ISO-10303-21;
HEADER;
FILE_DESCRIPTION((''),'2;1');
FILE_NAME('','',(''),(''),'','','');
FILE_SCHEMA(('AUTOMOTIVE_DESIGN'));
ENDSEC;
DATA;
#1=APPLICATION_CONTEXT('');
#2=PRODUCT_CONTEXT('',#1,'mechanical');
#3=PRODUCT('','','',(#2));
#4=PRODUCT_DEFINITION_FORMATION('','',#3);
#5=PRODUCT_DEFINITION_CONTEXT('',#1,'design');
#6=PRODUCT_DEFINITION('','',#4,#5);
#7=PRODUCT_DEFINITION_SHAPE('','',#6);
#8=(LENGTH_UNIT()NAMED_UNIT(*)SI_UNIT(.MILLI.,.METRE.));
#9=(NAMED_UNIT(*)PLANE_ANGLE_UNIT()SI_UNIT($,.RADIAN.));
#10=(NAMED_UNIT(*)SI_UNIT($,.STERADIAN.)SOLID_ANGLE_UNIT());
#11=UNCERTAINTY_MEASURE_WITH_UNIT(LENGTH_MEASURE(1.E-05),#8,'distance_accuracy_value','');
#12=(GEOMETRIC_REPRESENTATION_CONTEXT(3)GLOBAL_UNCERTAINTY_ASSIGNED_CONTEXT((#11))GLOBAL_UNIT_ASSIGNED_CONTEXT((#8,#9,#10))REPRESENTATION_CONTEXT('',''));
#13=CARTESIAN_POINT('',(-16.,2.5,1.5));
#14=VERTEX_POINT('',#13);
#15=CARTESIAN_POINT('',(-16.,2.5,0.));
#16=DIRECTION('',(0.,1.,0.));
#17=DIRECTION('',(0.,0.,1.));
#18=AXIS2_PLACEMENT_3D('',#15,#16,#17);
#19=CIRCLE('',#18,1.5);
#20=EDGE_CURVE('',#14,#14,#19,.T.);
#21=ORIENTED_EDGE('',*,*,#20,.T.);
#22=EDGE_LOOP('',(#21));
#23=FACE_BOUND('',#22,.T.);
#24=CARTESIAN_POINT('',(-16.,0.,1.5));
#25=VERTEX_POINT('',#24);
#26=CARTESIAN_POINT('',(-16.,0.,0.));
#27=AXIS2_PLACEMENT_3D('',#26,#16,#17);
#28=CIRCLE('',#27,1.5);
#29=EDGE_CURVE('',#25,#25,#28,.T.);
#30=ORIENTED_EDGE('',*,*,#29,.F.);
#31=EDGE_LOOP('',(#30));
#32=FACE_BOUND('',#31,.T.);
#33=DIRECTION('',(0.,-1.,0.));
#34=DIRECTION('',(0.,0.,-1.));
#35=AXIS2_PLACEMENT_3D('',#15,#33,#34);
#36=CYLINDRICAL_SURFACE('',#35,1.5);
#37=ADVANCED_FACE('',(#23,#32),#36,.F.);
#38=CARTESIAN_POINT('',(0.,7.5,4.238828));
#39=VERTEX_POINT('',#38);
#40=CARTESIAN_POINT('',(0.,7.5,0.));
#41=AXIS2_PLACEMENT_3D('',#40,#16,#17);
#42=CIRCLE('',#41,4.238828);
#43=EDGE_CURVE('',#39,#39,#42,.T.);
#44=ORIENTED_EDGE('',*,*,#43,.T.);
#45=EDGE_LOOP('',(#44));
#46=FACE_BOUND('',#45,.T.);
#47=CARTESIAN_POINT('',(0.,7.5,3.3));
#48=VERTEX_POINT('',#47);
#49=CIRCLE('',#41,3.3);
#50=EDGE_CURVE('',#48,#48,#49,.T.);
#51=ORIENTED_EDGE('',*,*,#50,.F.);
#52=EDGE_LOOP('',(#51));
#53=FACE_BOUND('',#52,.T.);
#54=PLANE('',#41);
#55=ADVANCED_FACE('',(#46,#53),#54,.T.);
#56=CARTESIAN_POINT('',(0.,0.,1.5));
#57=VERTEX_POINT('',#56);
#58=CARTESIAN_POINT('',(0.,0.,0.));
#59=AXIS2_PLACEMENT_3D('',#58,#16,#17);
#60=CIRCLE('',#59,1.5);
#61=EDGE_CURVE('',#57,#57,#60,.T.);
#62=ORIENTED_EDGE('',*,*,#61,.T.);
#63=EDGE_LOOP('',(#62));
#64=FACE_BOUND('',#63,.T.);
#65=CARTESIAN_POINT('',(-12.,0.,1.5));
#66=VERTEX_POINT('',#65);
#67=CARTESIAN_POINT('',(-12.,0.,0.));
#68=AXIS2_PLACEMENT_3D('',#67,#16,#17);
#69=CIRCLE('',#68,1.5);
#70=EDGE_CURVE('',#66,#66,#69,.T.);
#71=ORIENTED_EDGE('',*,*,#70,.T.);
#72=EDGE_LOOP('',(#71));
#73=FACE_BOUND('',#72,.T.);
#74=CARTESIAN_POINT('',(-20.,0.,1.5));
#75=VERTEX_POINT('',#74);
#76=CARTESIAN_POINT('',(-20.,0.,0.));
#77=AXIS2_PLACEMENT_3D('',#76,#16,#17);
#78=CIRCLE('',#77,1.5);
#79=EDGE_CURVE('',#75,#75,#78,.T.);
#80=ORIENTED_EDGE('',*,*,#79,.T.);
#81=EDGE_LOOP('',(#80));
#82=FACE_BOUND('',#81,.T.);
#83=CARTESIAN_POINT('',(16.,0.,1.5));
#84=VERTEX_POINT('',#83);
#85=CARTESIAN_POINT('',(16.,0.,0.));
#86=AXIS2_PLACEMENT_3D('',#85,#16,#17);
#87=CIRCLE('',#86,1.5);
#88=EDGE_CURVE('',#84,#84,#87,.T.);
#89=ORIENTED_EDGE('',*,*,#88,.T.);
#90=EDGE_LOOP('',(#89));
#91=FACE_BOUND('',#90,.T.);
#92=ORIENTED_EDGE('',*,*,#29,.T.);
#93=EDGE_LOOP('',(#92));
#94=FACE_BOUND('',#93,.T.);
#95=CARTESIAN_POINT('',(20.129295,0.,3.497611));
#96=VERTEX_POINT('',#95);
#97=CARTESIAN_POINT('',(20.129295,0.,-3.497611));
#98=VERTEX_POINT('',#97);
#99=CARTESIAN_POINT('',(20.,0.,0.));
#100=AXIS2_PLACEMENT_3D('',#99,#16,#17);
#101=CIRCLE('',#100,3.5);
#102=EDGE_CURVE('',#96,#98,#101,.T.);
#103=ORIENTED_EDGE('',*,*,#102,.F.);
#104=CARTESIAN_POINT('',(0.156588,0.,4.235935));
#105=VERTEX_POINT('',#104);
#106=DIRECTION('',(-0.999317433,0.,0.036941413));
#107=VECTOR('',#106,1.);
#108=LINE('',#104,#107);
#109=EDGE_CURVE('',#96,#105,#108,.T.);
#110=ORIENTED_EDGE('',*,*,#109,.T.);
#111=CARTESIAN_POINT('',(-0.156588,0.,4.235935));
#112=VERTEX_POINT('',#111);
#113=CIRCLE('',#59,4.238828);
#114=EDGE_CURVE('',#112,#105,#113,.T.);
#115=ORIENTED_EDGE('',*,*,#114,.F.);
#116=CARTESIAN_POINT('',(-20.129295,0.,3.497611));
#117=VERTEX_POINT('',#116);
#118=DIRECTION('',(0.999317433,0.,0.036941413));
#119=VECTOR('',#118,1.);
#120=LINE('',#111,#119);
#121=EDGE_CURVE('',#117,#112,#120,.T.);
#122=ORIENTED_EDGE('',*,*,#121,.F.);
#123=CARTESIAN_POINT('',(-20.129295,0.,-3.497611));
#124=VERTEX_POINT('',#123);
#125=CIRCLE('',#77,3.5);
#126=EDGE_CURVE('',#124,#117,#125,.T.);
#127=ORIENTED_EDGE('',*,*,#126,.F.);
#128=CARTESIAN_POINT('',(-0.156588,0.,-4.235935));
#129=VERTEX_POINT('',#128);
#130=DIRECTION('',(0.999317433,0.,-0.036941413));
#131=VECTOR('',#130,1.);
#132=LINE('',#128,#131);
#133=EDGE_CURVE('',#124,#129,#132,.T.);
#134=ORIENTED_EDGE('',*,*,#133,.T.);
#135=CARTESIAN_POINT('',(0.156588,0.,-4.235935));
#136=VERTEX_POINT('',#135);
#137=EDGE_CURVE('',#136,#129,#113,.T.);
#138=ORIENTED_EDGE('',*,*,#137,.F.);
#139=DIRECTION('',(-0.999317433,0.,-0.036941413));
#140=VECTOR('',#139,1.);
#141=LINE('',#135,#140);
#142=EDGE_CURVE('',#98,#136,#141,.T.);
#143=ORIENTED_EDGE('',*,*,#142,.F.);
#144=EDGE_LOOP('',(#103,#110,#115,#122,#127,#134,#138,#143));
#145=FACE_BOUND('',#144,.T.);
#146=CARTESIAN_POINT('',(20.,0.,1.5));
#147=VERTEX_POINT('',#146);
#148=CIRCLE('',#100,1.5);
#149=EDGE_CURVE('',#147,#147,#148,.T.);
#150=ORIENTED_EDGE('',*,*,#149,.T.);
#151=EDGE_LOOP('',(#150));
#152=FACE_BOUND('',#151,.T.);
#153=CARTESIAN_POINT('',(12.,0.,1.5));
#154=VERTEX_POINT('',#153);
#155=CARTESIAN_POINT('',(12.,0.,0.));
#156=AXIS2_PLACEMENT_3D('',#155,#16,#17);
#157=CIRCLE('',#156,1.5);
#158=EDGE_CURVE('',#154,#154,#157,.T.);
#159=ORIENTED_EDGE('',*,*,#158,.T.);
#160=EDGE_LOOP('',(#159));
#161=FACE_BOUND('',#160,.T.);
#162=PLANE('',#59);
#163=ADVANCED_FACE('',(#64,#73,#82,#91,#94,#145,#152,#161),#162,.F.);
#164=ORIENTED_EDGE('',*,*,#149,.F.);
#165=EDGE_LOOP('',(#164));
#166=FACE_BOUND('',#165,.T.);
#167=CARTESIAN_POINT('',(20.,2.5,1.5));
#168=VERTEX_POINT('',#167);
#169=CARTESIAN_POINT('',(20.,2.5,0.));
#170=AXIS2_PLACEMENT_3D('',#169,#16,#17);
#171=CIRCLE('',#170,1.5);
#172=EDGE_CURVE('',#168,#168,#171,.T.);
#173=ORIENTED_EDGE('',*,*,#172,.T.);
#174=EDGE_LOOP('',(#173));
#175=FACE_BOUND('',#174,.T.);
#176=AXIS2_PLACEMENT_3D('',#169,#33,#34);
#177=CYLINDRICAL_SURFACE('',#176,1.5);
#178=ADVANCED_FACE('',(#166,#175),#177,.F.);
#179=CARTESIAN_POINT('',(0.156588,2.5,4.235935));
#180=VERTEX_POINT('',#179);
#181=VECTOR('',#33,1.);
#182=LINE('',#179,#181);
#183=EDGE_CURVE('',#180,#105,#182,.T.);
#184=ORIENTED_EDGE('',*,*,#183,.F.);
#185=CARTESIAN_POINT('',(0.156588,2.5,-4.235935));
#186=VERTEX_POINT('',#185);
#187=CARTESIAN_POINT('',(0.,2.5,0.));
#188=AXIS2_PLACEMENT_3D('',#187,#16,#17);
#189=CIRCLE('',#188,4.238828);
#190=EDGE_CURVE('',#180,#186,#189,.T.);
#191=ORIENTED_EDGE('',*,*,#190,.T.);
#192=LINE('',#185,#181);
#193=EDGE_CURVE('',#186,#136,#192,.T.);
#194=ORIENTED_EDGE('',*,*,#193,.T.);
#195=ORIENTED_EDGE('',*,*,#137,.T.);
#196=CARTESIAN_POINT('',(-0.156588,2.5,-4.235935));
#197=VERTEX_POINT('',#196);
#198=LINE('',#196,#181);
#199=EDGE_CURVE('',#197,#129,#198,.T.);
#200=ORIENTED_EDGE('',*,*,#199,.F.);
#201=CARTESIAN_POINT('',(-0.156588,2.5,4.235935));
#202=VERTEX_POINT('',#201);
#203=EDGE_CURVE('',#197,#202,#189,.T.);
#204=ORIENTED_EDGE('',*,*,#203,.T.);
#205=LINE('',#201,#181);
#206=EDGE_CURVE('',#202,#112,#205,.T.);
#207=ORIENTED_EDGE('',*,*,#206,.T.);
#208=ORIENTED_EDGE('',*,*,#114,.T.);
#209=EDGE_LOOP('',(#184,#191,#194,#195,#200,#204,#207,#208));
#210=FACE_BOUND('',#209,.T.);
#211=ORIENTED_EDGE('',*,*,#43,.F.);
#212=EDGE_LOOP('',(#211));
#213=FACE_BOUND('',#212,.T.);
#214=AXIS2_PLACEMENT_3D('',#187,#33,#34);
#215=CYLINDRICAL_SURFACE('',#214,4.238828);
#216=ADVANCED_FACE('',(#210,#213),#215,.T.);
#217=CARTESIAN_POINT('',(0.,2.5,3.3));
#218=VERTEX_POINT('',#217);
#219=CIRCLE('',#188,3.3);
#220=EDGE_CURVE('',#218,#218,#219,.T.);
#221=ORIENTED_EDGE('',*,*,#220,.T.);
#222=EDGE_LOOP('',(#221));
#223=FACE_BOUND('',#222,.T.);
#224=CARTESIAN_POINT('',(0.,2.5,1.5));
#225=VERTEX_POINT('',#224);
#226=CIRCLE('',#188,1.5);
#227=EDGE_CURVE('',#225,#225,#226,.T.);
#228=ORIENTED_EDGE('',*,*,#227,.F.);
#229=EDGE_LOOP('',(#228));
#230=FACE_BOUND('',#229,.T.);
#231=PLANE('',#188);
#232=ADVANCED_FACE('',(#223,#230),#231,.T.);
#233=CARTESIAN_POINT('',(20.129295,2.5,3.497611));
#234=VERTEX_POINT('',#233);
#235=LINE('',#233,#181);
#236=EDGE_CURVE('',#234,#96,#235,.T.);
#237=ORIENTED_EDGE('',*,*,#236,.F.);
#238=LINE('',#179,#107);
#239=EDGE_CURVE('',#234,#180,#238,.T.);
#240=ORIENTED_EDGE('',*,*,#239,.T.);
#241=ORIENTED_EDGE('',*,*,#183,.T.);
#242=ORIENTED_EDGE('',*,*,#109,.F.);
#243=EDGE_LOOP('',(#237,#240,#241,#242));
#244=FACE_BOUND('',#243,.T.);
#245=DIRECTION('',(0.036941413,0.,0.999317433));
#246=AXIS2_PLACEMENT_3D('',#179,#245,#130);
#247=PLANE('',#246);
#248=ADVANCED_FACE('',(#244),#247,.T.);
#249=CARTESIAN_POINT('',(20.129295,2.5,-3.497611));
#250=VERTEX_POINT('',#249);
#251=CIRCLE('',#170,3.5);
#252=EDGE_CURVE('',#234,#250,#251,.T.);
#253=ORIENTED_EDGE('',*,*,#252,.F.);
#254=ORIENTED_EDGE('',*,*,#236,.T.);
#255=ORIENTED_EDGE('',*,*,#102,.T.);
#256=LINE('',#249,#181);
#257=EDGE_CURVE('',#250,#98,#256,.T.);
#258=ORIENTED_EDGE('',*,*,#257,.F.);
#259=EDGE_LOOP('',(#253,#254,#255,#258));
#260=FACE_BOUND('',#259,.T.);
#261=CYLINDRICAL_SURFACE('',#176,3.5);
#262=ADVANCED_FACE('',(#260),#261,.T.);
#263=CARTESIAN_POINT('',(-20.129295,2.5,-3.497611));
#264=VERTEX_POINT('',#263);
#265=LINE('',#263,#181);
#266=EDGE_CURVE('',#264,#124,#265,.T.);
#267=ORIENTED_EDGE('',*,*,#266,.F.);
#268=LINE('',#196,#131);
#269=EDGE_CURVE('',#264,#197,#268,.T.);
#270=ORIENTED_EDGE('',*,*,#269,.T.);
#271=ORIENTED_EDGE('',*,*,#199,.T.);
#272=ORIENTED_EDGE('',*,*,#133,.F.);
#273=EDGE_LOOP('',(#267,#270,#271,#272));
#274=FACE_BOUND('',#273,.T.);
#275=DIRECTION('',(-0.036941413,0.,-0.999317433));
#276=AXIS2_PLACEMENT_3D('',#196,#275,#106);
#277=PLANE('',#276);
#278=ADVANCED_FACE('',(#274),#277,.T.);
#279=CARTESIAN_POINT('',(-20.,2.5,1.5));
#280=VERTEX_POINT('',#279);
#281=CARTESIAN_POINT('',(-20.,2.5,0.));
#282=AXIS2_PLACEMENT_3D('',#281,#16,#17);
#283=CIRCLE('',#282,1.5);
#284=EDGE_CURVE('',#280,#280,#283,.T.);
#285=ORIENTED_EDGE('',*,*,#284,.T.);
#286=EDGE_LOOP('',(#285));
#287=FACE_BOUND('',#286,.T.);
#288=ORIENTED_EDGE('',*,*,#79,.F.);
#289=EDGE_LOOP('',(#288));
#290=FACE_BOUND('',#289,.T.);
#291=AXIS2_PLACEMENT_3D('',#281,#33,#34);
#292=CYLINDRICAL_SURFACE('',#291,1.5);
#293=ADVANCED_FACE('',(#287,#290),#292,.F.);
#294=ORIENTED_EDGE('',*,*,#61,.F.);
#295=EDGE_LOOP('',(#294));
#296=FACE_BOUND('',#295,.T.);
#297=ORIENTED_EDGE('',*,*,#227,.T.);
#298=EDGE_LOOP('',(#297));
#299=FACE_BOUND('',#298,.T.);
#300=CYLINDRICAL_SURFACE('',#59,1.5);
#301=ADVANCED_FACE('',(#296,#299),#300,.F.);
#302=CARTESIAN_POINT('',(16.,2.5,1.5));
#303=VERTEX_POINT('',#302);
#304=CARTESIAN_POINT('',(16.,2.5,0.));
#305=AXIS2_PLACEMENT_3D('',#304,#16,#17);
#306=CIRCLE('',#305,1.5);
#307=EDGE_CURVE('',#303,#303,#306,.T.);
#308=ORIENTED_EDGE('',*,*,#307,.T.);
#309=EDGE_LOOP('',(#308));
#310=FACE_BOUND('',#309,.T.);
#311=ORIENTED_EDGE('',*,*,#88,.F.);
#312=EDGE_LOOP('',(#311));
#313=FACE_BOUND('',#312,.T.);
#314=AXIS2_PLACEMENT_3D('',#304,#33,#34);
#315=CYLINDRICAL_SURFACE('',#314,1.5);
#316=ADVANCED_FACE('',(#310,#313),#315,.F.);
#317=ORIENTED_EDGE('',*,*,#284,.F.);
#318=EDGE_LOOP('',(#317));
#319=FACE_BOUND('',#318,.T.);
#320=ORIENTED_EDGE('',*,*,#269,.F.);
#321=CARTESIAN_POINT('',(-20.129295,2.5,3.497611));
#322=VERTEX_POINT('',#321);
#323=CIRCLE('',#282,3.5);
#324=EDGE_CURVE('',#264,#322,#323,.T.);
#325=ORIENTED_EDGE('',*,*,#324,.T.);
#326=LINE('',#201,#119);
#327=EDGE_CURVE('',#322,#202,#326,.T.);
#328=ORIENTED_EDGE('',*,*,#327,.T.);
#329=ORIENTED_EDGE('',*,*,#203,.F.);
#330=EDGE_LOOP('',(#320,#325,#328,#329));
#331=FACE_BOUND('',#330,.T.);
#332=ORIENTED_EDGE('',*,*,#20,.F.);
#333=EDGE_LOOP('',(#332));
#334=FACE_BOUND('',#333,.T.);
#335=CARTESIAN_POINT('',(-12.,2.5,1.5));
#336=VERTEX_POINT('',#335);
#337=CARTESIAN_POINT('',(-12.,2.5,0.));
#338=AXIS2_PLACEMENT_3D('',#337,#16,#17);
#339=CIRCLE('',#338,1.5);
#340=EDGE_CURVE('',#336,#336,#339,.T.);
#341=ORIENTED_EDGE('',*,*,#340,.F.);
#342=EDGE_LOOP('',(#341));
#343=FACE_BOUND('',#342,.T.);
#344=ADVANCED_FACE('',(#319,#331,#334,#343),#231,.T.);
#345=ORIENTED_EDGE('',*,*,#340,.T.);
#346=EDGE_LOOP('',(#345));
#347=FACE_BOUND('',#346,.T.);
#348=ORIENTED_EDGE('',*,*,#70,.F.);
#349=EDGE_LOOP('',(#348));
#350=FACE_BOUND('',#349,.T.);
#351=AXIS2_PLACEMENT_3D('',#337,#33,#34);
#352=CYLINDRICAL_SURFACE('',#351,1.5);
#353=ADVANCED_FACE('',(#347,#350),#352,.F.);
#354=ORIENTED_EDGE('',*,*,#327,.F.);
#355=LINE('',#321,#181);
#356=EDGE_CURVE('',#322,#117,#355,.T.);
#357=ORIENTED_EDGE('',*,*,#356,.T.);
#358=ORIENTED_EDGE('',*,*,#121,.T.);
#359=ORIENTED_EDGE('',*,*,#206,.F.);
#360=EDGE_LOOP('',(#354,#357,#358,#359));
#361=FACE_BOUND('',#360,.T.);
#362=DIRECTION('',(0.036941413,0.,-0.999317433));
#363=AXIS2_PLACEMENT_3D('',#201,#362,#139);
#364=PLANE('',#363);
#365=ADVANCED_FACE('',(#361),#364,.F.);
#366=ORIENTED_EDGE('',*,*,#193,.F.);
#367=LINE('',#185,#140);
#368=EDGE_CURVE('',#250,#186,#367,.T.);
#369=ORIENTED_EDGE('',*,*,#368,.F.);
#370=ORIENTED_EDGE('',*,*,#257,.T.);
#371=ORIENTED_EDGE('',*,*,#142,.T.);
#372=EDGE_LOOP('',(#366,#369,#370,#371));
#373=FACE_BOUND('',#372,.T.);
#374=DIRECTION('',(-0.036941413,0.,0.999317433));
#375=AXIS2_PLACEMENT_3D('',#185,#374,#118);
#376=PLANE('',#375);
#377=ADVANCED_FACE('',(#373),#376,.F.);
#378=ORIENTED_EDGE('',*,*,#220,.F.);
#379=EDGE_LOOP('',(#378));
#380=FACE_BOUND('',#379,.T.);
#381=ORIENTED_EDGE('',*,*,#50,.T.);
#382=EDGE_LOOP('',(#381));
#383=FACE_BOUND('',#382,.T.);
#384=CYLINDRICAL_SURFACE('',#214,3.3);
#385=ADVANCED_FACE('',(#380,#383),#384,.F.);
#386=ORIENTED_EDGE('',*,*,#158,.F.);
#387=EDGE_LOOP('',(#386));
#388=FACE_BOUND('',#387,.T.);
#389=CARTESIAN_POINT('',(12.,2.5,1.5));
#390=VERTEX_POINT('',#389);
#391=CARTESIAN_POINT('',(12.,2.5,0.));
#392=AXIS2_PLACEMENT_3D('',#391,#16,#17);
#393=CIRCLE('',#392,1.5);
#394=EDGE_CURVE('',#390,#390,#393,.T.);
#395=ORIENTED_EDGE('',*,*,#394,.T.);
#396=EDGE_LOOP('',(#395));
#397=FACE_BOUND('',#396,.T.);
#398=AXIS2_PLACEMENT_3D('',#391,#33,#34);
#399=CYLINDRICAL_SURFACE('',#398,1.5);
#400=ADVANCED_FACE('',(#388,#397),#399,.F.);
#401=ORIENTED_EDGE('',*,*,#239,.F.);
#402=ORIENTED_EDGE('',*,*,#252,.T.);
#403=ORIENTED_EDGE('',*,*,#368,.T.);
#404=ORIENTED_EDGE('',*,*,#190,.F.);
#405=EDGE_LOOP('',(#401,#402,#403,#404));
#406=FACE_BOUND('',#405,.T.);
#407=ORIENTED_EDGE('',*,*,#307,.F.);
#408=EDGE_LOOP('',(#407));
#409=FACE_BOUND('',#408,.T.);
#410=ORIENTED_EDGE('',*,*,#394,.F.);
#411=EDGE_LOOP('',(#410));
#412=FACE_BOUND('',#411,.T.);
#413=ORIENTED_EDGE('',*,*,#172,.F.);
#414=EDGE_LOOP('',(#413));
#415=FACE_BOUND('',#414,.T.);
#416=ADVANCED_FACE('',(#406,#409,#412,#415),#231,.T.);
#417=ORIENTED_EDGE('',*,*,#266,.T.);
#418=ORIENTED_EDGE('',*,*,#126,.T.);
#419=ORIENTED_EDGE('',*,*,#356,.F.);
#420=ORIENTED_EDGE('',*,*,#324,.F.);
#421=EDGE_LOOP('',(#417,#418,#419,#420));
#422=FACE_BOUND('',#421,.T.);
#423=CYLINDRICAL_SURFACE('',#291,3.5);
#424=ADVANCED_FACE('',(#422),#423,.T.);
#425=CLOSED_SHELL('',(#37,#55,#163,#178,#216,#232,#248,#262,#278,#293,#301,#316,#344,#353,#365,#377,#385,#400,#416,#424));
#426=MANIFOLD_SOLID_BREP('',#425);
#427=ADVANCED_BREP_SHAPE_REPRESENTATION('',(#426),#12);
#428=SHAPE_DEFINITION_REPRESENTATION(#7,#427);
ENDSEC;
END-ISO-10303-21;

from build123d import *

# Parameters (mm, degrees)
SKETCH_1_R      = 1.5
SKETCH_1_R_2    = 3.3
EXTRUDE_2_DEPTH = 2.5
SKETCH_2_R      = 4.238828267
SKETCH_2_R_2    = 3.3
EXTRUDE_3_DEPTH = 5
SKETCH_3_R      = 3.73192113
SKETCH_3_R_2    = 1.5
EXTRUDE_4_DEPTH = 2.5


with BuildPart() as part:
    # 草图1 → 凸台-拉伸2 (new body)
    with BuildSketch(Plane(origin=(0, 0, 0), x_dir=(1, 0, 0), z_dir=(0, 1, 0))):
        with BuildLine():
            Line((0.156588307, -4.235934983), (20.129294947, -3.497611016))
            ThreePointArc((20.129294947, -3.497611016), (23.5, 0), (20.129294947, 3.497611016))
            Line((20.129294947, 3.497611016), (0.156588307, 4.235934983))
            ThreePointArc((0.156588307, 4.235934983), (0, 4.238828267), (-0.156588307, 4.235934983))
            Line((-0.156588307, 4.235934983), (-20.129294947, 3.497611016))
            ThreePointArc((-20.129294947, 3.497611016), (-23.5, 0), (-20.129294947, -3.497611016))
            Line((-20.129294947, -3.497611016), (-0.156588307, -4.235934983))
            ThreePointArc((-0.156588307, -4.235934983), (0, -4.238828267), (0.156588307, -4.235934983))
        make_face()
        with Locations(Location((-20, 0, 0), (0, 0, 270))):
            Circle(SKETCH_1_R, mode=Mode.SUBTRACT)
        with Locations(Location((-16, 0, 0), (0, 0, 270))):
            Circle(SKETCH_1_R, mode=Mode.SUBTRACT)
        with Locations(Location((-12, 0, 0), (0, 0, 270))):
            Circle(SKETCH_1_R, mode=Mode.SUBTRACT)
        with Locations(Location((0, 0, 0), (0, 0, 270))):
            Circle(SKETCH_1_R_2, mode=Mode.SUBTRACT)
        with Locations(Location((12, 0, 0), (0, 0, 270))):
            Circle(SKETCH_1_R, mode=Mode.SUBTRACT)
        with Locations(Location((16, 0, 0), (0, 0, 270))):
            Circle(SKETCH_1_R, mode=Mode.SUBTRACT)
        with Locations(Location((20, 0, 0), (0, 0, 270))):
            Circle(SKETCH_1_R, mode=Mode.SUBTRACT)
    extrude(amount=EXTRUDE_2_DEPTH)

    # 草图2 → 凸台-拉伸3 (add)
    with BuildSketch(Plane(origin=(0, 2.5, 0), x_dir=(1, 0, 0), z_dir=(0, 1, 0))):
        with Locations(Location((0, 0, 0), (0, 0, 92.117068776))):
            Circle(SKETCH_2_R)
        with Locations(Location((0, 0, 0), (0, 0, 270))):
            Circle(SKETCH_2_R_2, mode=Mode.SUBTRACT)
    extrude(amount=EXTRUDE_3_DEPTH)

    # 草图3 → 凸台-拉伸4 (add)
    with BuildSketch(Plane(origin=(0, 2.5, 0), x_dir=(1, 0, 0), z_dir=(0, 1, 0))):
        Circle(SKETCH_3_R)
        with Locations(Location((0, 0, 0), (0, 0, 270))):
            Circle(SKETCH_3_R_2, mode=Mode.SUBTRACT)
    extrude(amount=-EXTRUDE_4_DEPTH)


solid = part.part
